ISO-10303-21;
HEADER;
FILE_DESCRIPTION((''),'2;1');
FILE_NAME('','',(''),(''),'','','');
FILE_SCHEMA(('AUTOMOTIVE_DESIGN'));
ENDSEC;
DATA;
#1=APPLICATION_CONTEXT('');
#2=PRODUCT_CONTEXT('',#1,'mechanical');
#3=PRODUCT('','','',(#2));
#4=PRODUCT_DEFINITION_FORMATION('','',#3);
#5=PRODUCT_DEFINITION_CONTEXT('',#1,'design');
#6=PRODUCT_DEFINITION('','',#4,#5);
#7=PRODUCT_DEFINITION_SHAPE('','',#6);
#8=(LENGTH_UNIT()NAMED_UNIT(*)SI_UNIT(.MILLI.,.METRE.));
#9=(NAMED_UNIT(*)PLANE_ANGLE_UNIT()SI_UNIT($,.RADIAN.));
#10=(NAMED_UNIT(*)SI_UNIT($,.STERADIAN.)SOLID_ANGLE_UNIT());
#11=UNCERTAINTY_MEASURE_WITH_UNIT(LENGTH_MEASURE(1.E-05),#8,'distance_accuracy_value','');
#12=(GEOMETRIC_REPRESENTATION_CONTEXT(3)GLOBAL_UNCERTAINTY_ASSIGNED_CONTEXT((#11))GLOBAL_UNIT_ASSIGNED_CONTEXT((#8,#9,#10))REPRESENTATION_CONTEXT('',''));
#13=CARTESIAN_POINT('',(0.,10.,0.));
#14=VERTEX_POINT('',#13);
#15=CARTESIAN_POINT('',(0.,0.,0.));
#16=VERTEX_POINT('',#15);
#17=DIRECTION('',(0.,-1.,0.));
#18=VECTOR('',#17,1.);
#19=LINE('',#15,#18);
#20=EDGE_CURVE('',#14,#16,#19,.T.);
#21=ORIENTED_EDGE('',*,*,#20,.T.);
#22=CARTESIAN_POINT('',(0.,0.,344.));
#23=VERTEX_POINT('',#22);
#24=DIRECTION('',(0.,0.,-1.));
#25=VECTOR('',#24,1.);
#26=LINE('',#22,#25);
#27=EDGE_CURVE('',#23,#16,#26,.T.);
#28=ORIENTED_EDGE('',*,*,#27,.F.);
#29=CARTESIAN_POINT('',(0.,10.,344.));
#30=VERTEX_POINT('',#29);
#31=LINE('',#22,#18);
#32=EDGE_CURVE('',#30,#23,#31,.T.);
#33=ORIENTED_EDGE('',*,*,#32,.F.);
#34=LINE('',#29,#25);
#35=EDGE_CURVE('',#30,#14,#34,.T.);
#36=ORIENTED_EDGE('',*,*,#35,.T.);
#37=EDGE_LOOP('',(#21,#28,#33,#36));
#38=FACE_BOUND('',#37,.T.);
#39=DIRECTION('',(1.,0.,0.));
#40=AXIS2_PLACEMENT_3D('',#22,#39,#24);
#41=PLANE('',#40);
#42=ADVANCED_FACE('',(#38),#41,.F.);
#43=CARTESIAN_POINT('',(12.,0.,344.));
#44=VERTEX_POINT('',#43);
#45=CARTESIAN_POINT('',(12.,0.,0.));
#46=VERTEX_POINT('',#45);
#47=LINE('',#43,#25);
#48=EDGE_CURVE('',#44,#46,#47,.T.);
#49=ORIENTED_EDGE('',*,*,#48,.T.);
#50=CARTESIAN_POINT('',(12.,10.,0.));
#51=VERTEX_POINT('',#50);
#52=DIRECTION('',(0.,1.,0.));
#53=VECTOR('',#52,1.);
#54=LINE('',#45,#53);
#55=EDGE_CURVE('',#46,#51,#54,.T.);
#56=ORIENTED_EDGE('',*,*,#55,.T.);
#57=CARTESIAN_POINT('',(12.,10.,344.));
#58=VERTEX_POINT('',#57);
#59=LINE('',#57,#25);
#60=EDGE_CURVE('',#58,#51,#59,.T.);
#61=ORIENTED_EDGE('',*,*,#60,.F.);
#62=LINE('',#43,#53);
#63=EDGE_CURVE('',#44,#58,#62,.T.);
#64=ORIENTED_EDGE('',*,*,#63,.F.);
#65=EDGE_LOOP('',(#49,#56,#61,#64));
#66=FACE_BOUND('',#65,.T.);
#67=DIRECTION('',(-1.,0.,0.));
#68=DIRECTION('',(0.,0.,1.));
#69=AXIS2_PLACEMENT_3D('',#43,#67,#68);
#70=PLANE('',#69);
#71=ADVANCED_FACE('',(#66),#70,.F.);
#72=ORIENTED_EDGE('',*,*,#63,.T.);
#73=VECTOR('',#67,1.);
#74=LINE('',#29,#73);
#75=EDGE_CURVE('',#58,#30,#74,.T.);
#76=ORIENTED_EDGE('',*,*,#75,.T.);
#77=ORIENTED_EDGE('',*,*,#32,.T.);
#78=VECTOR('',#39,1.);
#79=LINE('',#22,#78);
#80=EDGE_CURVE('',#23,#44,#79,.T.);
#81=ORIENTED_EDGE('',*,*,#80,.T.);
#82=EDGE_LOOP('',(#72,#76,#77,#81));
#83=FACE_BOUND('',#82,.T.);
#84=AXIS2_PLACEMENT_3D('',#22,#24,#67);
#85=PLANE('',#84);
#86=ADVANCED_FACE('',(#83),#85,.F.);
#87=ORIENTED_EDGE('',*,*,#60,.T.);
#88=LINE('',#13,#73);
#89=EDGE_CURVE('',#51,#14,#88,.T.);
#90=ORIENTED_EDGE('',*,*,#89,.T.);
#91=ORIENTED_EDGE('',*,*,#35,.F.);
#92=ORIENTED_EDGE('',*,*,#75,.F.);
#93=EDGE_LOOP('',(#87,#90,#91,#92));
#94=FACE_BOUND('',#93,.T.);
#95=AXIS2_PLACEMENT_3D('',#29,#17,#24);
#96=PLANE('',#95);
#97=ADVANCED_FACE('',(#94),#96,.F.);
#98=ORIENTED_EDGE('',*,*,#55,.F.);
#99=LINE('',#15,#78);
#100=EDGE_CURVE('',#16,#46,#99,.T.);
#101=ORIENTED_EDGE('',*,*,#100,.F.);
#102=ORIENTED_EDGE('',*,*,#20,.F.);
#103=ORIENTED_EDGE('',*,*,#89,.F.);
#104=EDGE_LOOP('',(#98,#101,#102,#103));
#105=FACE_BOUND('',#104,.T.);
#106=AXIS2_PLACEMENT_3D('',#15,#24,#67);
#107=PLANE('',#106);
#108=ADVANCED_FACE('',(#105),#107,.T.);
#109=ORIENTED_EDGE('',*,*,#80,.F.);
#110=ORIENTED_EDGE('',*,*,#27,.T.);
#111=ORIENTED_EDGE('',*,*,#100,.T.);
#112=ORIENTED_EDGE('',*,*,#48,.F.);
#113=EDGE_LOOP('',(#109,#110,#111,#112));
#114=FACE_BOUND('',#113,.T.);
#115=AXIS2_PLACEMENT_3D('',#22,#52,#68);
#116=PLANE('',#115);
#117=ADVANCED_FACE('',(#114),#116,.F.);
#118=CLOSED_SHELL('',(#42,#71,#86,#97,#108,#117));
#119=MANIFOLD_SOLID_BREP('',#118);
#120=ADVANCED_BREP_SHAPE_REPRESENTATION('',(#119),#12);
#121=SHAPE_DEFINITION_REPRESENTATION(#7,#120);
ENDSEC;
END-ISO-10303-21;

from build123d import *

# Parameters (mm, degrees)
SKETCH_1_W      = 12
SKETCH_1_H      = 10
EXTRUDE_1_DEPTH = 344


with BuildPart() as part:
    # Эскиз1 → Бобышка-Вытянуть1 (new body)
    with BuildSketch(Plane.XY):
        with Locations((6, 5)):
            Rectangle(SKETCH_1_W, SKETCH_1_H)
    extrude(amount=EXTRUDE_1_DEPTH)


solid = part.part
